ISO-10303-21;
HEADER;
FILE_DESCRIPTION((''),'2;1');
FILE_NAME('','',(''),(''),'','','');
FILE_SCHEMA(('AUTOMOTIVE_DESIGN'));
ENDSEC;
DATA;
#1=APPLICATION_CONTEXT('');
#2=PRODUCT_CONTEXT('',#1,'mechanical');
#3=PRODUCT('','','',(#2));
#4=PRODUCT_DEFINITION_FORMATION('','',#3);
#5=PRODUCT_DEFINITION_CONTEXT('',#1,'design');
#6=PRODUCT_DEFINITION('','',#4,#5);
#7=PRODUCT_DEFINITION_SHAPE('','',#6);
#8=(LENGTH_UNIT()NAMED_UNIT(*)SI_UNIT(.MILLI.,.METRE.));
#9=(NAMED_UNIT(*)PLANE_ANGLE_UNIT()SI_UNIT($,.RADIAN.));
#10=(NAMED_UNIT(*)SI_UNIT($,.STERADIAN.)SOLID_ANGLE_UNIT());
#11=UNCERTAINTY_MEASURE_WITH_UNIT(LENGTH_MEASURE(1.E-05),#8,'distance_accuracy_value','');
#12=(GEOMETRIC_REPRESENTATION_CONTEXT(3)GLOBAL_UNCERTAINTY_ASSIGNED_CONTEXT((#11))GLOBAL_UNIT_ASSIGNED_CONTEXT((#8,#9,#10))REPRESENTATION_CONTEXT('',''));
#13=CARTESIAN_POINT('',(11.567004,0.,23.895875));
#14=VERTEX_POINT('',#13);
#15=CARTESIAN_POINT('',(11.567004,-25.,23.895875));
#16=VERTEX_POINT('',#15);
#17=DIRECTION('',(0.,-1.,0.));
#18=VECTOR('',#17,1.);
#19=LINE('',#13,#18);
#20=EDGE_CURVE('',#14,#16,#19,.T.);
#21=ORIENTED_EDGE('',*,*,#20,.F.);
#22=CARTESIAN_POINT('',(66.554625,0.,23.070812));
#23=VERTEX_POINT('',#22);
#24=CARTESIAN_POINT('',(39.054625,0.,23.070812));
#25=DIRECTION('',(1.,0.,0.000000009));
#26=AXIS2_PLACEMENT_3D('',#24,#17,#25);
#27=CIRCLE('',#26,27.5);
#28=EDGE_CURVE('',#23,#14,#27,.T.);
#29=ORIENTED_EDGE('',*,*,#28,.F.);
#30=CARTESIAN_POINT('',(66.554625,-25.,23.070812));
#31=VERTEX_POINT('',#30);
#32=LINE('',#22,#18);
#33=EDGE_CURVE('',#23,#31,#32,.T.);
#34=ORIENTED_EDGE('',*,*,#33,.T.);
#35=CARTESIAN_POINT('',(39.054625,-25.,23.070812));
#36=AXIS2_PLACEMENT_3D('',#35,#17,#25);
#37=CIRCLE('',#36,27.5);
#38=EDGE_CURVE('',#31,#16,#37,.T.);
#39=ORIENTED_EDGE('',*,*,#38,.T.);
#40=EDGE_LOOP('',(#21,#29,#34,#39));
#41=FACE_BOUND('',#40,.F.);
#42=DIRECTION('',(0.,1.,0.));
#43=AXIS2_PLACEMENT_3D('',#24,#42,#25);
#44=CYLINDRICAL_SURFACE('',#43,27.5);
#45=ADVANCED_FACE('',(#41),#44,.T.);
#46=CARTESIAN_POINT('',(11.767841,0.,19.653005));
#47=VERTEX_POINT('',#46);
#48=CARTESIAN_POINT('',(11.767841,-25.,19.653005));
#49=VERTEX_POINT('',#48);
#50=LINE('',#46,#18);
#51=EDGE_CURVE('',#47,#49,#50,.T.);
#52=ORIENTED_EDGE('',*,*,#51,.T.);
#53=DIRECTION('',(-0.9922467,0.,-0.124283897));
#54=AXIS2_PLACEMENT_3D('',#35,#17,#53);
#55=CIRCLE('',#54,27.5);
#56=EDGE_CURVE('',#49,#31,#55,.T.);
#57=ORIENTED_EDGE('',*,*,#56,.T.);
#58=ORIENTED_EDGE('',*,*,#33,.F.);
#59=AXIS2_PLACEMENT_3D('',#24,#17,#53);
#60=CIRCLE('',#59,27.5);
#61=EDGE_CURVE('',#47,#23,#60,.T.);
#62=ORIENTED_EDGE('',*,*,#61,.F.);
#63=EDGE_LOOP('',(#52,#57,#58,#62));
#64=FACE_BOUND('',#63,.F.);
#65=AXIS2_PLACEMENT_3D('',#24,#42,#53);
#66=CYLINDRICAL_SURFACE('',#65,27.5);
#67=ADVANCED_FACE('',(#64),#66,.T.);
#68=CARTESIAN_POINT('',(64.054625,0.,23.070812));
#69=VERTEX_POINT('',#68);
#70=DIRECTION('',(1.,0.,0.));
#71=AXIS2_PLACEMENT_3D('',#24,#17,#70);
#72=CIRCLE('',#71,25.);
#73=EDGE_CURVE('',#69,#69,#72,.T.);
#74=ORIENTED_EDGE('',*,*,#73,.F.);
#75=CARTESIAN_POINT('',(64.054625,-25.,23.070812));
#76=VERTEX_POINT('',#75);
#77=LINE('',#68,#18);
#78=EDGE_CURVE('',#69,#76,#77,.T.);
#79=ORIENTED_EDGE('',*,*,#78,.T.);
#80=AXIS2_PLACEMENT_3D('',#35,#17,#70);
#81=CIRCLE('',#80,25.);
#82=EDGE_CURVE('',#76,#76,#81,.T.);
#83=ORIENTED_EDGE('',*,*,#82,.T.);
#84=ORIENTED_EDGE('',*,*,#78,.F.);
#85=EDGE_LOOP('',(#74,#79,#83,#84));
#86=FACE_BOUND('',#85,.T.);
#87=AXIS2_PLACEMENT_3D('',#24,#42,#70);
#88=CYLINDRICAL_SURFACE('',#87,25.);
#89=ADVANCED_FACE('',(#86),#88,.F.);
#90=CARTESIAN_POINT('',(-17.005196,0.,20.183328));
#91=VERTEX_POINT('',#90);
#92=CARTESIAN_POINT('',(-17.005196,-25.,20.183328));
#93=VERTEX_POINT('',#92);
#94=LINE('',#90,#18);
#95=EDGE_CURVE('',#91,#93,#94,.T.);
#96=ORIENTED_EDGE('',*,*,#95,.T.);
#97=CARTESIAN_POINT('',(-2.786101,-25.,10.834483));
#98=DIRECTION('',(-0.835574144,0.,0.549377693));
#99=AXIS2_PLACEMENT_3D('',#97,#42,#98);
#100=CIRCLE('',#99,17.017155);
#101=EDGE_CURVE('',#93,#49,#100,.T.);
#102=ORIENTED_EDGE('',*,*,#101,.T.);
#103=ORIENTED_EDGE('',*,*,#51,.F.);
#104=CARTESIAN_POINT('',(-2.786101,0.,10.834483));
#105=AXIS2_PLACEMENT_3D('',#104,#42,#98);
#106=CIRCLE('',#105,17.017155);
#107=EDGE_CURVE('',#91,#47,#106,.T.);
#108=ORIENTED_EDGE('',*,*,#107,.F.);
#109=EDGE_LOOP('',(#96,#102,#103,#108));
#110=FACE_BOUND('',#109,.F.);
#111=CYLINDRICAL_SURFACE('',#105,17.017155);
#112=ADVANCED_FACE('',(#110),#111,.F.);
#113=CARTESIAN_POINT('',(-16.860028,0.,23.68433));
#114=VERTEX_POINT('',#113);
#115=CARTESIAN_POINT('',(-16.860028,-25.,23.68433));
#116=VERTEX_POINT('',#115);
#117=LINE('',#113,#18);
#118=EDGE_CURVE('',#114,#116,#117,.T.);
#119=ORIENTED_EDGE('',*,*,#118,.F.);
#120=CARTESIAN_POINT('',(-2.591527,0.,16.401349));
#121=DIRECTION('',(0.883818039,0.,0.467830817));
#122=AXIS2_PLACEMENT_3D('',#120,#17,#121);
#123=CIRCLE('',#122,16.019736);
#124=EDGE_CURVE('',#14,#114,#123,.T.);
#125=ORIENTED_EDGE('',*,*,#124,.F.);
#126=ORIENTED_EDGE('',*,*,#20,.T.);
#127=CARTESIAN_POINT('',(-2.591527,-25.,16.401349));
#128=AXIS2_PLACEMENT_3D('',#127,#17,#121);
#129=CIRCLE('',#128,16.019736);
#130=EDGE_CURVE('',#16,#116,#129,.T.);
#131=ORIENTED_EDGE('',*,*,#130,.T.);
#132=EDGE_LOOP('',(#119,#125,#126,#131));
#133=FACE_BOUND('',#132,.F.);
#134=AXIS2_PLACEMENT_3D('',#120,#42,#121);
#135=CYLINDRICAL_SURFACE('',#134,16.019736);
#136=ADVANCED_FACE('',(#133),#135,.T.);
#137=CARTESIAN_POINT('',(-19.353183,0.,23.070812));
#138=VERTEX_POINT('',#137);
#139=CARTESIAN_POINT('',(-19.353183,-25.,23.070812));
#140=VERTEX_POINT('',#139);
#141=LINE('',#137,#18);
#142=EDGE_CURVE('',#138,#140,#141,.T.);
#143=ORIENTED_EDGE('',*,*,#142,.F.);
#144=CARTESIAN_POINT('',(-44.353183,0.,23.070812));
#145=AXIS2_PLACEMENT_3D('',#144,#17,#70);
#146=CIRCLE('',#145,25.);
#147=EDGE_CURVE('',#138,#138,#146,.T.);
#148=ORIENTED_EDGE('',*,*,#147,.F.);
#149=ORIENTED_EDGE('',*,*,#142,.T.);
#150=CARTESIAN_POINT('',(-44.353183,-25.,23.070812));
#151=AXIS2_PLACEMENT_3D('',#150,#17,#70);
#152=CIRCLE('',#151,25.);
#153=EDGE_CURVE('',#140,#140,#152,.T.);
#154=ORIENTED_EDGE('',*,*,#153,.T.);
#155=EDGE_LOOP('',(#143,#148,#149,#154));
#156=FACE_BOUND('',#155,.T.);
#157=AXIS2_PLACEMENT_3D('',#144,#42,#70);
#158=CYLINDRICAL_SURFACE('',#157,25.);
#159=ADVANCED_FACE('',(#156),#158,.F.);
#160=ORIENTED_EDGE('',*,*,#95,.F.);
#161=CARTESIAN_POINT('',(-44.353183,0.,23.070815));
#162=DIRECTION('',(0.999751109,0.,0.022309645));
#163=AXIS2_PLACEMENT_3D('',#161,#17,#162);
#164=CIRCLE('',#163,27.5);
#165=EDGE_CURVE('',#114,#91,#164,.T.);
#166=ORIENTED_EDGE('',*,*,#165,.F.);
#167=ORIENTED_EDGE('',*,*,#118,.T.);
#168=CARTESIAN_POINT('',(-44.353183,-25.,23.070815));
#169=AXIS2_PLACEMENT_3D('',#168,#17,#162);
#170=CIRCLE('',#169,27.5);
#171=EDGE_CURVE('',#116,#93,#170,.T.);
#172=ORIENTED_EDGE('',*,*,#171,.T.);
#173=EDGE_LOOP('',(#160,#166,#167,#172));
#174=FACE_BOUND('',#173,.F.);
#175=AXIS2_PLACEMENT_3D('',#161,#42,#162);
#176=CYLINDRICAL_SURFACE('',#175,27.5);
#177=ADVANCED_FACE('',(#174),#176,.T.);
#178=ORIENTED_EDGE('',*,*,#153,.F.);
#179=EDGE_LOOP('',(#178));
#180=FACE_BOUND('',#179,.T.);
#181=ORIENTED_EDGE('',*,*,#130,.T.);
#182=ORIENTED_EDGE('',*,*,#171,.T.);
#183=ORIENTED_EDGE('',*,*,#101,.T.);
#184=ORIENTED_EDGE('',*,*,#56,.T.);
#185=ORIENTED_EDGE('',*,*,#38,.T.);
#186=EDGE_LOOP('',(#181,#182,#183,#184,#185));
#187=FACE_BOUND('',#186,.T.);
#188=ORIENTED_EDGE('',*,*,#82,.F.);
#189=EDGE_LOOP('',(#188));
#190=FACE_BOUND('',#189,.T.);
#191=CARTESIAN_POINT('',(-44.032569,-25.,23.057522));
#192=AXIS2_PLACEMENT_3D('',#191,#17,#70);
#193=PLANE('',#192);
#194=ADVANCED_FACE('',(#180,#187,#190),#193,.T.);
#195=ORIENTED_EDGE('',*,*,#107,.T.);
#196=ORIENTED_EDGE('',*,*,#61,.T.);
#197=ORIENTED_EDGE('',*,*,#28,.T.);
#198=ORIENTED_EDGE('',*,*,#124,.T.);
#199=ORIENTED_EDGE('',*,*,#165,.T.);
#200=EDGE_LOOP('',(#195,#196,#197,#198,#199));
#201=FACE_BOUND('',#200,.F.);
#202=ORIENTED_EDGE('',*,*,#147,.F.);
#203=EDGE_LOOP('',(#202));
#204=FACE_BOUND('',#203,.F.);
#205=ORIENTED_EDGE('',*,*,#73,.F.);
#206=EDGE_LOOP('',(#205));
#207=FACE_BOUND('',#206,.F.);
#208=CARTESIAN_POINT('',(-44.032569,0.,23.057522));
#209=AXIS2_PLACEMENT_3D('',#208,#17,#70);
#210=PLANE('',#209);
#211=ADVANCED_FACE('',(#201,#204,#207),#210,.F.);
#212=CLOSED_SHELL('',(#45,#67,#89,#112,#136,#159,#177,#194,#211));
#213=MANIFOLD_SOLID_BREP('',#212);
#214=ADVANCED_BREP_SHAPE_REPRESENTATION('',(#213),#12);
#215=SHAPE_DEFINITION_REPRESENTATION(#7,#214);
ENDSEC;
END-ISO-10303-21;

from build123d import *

# Parameters (mm, degrees)
F0_R     = 25
F1_DEPTH = 25


with BuildPart() as f1:
    # F0 (on Front) → F1 (new body)
    with BuildSketch(Plane.XZ):
        with BuildLine():
            ThreePointArc((-17.005196, 20.183328), (-16.891213, 21.625071), (-16.853183, 23.070812))
            ThreePointArc((-16.853183, 23.070812), (-16.854895, 23.37759), (-16.860028, 23.68433))
            ThreePointArc((-16.860028, 23.68433), (-71.829573, 24.21011), (-17.005196, 20.183328))
        make_face()
        with Locations((-44.353183, 23.070812)):
            Circle(F0_R, mode=Mode.SUBTRACT)
        with BuildLine():
            ThreePointArc((-16.860028, 23.68433), (-16.854895, 23.37759), (-16.853183, 23.070812))
            ThreePointArc((-16.853183, 23.070812), (-16.891213, 21.625071), (-17.005196, 20.183328))
            ThreePointArc((-17.005196, 20.183328), (-2.472507, 27.848748), (11.767841, 19.653005))
            ThreePointArc((11.767841, 19.653005), (11.585381, 21.770557), (11.567004, 23.895875))
            ThreePointArc((11.567004, 23.895875), (-2.710738, 32.420641), (-16.860028, 23.68433))
        make_face()
        with BuildLine():
            ThreePointArc((66.554625, 23.070812), (39.467203, 50.567717), (11.567004, 23.895875))
            ThreePointArc((11.567004, 23.895875), (11.585381, 21.770557), (11.767841, 19.653005))
            ThreePointArc((11.767841, 19.653005), (40.766851, -4.375832), (66.554625, 23.070812))
        make_face()
        with Locations((39.054625, 23.070812)):
            Circle(F0_R, mode=Mode.SUBTRACT)
    extrude(amount=F1_DEPTH)


solid = f1.part
